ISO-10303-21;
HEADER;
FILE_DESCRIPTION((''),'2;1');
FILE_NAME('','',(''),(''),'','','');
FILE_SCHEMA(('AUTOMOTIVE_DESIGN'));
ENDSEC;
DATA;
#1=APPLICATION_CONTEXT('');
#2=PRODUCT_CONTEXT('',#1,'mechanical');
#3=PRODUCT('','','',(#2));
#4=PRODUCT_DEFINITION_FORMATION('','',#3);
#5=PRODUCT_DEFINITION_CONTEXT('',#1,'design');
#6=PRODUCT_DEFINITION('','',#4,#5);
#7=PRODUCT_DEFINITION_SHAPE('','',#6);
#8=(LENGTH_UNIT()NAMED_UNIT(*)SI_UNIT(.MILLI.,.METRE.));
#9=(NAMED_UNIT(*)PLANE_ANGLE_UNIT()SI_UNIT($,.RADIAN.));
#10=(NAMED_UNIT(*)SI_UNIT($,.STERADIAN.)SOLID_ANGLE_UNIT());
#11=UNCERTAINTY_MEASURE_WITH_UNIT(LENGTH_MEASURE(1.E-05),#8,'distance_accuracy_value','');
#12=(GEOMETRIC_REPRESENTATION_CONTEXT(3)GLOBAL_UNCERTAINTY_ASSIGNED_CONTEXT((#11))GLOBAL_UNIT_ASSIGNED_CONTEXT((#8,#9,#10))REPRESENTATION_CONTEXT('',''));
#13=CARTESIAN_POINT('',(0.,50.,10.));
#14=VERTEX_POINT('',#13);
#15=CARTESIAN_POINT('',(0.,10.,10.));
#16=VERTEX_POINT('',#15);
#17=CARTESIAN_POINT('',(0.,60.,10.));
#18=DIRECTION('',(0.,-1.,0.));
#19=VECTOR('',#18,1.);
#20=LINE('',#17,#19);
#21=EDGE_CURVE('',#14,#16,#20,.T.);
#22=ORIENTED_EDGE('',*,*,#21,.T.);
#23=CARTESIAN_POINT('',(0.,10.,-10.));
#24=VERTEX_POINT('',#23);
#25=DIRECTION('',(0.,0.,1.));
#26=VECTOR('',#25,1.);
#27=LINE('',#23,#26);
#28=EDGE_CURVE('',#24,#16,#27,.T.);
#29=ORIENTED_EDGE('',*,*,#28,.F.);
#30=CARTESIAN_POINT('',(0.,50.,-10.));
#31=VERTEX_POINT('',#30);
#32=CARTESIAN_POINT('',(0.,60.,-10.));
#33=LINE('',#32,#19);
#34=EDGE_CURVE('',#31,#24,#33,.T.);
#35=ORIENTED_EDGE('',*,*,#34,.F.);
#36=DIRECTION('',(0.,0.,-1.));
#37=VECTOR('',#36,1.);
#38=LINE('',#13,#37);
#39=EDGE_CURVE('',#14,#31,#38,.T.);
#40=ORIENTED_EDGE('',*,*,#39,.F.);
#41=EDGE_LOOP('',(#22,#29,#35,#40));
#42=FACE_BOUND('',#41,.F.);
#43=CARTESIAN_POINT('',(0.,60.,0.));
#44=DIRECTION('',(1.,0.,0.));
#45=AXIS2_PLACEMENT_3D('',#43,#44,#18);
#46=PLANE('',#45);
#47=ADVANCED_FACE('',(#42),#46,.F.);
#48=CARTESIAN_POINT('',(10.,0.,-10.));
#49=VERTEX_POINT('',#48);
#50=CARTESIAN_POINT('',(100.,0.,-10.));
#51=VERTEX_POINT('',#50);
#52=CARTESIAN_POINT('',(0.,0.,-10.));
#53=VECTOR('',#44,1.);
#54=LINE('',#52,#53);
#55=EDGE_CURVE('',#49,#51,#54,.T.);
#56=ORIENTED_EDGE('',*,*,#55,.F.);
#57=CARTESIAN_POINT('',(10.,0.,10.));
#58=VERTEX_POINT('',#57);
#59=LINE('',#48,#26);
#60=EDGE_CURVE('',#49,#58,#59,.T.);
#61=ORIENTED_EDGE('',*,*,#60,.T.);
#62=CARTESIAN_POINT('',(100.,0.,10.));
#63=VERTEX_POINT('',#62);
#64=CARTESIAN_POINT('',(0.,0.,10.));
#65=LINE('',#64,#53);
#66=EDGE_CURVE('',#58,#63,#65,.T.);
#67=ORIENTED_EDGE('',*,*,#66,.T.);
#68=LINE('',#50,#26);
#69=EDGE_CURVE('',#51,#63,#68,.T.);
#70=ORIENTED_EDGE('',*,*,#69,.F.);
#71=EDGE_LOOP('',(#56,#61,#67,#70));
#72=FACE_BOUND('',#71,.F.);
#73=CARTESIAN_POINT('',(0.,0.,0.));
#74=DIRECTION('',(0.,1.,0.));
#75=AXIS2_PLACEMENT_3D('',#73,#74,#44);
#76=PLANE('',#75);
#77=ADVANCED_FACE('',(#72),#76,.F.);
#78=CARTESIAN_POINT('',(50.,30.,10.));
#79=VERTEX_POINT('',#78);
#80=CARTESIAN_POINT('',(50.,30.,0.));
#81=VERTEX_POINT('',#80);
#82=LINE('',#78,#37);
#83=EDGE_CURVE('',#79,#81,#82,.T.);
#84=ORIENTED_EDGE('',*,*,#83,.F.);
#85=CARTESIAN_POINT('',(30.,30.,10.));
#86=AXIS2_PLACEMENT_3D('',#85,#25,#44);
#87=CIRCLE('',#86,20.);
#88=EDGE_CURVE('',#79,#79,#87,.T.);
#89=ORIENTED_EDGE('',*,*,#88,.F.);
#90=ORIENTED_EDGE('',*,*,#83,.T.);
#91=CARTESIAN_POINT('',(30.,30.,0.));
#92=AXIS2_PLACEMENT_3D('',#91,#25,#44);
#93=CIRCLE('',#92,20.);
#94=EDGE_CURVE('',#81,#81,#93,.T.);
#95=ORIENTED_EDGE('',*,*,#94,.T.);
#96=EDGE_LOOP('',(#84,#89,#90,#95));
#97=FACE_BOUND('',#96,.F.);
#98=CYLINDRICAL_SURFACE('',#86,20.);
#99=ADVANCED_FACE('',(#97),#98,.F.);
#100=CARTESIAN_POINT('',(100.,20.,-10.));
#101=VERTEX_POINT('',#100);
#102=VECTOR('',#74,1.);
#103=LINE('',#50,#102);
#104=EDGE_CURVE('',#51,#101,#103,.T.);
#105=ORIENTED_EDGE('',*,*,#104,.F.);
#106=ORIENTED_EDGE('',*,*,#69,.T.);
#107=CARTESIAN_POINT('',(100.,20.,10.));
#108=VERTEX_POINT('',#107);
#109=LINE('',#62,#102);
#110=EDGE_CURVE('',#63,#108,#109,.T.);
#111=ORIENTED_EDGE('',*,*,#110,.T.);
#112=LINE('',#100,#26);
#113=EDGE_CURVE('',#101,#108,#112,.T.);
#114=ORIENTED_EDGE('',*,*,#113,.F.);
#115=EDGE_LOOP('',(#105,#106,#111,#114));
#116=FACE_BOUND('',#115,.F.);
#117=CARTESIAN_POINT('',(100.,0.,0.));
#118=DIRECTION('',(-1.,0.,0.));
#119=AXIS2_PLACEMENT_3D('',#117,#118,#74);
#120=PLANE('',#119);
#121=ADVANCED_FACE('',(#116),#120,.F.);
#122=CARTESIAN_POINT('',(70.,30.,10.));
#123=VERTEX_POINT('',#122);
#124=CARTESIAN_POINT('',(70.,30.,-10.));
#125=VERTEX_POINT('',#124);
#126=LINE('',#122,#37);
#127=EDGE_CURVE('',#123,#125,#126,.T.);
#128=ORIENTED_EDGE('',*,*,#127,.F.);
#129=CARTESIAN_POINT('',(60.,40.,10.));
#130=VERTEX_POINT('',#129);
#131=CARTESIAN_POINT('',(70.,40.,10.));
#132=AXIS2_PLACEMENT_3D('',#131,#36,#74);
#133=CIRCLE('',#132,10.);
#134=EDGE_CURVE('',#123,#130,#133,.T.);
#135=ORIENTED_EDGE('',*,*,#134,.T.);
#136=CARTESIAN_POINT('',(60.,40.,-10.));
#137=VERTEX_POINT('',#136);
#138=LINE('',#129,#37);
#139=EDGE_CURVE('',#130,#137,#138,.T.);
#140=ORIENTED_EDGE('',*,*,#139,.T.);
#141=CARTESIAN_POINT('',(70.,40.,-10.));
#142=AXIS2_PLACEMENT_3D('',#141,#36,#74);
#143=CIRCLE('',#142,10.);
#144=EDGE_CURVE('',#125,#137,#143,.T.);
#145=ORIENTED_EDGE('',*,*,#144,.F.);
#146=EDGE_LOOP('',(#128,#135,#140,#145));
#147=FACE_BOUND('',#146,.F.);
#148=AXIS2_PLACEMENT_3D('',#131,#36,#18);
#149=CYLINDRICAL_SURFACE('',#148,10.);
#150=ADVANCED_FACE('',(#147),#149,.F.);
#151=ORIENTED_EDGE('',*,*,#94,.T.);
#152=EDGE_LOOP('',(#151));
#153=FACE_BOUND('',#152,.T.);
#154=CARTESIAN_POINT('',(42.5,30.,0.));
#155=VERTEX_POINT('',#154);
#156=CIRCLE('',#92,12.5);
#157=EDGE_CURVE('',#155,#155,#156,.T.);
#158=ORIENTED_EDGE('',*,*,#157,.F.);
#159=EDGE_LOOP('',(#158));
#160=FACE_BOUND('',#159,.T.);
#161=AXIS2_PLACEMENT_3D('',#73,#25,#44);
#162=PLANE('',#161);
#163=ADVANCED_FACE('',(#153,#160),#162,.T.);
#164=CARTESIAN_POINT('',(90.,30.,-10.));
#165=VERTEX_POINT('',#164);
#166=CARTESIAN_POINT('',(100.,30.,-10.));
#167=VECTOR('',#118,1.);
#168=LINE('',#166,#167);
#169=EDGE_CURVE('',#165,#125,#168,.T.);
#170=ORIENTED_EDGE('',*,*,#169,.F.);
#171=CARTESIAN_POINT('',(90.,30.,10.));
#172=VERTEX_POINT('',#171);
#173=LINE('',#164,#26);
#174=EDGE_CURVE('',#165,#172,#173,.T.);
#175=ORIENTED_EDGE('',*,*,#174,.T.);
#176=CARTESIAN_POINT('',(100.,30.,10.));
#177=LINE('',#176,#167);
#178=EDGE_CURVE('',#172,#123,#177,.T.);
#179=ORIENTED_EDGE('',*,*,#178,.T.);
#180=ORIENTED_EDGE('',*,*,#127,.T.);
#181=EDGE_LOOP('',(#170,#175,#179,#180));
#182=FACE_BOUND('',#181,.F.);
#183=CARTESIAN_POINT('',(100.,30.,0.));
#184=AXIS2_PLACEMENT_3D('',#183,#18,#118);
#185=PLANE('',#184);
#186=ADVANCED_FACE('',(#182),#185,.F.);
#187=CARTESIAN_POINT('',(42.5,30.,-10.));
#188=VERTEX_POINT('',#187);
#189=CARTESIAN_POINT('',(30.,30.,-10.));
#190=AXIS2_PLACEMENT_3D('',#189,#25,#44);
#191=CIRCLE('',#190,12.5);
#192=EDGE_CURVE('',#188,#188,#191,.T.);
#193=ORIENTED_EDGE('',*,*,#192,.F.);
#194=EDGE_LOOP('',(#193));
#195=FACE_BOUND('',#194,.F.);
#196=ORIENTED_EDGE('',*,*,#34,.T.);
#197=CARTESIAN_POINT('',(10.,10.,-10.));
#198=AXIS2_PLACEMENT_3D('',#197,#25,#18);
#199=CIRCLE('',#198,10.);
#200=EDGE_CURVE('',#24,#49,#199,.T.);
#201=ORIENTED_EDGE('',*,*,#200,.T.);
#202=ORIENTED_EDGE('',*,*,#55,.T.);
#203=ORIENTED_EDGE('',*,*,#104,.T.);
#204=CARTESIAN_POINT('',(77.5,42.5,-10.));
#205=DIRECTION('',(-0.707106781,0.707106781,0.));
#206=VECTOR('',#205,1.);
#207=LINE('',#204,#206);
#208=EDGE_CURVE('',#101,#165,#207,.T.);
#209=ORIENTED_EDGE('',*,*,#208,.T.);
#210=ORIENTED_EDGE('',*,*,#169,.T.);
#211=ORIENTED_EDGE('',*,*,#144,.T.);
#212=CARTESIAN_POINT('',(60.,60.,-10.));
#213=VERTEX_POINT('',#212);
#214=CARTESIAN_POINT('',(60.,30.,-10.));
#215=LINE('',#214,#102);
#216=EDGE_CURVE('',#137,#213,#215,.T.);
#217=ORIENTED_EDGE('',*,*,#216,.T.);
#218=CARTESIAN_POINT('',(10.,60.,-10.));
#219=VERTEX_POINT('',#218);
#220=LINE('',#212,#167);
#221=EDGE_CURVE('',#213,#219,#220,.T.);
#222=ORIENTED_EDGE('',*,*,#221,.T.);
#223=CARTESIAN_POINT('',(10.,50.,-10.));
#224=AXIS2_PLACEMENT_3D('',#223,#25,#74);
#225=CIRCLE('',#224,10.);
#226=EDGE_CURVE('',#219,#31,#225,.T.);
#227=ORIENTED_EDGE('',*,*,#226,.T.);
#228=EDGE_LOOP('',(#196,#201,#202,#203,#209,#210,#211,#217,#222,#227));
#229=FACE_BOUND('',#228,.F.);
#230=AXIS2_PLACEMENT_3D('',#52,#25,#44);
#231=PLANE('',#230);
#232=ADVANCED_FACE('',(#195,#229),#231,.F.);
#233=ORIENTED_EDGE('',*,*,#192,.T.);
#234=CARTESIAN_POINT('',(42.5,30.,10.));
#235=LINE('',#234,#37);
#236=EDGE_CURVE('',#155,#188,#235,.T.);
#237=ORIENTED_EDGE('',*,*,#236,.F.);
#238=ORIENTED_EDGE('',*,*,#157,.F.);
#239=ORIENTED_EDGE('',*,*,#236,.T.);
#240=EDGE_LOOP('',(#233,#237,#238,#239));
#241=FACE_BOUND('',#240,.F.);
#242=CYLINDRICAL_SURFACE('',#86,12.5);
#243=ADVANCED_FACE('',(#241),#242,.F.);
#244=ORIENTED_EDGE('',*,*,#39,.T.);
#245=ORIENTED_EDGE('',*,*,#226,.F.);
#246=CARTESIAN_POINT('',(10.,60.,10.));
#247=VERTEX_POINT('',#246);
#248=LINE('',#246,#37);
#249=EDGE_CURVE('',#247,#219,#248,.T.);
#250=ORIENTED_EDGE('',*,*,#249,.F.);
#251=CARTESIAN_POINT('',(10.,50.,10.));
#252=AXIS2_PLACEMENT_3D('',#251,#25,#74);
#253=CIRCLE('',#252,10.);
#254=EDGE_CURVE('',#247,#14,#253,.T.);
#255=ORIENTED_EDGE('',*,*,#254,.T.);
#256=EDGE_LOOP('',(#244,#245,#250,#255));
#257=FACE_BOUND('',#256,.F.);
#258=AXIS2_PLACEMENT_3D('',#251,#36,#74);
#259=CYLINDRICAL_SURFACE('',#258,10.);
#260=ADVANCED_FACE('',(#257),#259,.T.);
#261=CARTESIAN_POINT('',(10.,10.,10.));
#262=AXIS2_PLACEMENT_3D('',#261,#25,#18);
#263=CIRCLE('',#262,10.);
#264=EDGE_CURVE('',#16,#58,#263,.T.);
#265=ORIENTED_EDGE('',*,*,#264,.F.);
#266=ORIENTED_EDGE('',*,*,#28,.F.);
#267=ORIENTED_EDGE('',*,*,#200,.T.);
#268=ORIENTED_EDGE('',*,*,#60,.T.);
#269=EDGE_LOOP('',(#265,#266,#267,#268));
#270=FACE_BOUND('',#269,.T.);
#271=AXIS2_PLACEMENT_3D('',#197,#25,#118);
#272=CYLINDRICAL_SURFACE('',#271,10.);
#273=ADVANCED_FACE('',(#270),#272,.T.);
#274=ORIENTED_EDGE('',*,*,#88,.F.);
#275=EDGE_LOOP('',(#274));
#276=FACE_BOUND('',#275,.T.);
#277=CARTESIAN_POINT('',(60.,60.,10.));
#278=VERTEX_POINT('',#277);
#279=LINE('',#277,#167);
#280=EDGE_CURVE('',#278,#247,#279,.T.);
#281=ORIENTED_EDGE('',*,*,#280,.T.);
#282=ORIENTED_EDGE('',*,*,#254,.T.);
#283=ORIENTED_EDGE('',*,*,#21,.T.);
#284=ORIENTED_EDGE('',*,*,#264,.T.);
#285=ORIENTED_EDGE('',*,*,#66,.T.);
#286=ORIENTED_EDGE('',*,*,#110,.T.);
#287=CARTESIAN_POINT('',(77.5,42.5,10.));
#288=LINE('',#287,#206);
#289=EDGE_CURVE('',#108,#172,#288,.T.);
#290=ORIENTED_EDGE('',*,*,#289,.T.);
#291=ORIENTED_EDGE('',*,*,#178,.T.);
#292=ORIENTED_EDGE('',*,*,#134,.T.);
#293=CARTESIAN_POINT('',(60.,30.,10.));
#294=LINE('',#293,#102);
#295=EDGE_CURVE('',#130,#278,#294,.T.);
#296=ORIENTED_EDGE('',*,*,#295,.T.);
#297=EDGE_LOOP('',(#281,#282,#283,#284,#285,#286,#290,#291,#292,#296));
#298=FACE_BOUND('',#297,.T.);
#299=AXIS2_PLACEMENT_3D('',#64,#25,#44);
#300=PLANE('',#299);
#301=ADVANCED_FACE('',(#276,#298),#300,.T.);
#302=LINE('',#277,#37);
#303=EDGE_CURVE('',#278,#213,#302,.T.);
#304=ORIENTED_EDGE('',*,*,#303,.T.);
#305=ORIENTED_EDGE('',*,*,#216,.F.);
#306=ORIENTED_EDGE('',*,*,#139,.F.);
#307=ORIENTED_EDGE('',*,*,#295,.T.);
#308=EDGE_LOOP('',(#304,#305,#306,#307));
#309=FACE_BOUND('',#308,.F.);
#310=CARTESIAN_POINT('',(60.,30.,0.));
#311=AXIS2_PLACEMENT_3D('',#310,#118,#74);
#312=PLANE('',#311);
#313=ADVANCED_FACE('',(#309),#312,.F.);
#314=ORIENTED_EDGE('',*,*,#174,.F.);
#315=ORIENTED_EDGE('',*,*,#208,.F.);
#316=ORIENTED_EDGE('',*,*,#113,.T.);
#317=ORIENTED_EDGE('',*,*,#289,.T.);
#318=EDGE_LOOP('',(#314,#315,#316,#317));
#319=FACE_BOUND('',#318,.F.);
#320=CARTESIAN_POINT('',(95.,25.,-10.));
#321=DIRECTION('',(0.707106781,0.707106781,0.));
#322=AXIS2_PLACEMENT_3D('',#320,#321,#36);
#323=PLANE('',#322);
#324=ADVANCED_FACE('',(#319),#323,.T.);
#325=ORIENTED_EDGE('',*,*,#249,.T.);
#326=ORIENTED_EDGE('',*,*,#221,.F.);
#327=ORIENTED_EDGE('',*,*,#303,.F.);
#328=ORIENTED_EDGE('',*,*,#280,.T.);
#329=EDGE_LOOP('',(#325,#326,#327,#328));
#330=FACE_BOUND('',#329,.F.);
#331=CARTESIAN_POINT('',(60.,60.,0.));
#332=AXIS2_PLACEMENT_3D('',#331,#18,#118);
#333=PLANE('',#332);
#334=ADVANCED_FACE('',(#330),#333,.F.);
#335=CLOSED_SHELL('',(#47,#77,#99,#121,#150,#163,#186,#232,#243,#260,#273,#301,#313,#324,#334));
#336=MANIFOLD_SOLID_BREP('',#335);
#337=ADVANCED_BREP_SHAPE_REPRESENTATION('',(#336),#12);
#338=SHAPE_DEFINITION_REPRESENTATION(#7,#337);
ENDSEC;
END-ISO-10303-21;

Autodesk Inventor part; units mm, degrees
ref_plane "YZ Plane" through (0, 0, 0) normal (1, 0, 0) x (0, 1, 0)
ref_plane "XZ Plane" through (0, 0, 0) normal (0, 1, 0) x (-1, 0, 0)
ref_plane "XY Plane" through (0, 0, 0) normal (0, 0, 1) x (1, 0, 0)
sketch "Sketch1" plane through (0, 0, 0) normal (0, 0, 1) x (1, 0, 0)
  line L0 (0, 0) -> (100, 0)
  line L1 (100, 0) -> (100, 30)
  line L2 (100, 30) -> (60, 30)
  line L3 (60, 30) -> (60, 60)
  line L4 (60, 60) -> (0, 60)
  line L5 (0, 60) -> (0, 0)
  dimension "d14" = 100
  dimension "d15" = 30
  dimension "d16" = 60
  dimension "d19" = 60
extrude "Extrusion1" add sketch "Sketch1" along normal mid plane 20
chamfer "Chamfer1" distance 10 angle 45 1 edges at (100, 30, 0)
fillet "Fillet1" radius 10 1 edges at (60, 30, 0)
fillet "Fillet3" radius 10 1 edges at (0, 60, 0)
fillet "Fillet4" radius 10 1 edges at (0, 0, 0)
sketch "Sketch2" plane through (0, 0, 10) normal (0, 0, 1) x (1, 0, 0)
  circle A0 centre (30, 30) radius 20
  line L0 (10, 0) -> (100, 0) projected
  line L1 (0, 50) -> (0, 10) projected
  point P0 (0, 0)
  point P1 (90, 0)
  dimension "d18" = 30
  dimension "d20" = 30
  dimension "d21" = 40
sketch "Sketch3" plane through (0, 0, 10) normal (0, 0, 1) x (1, 0, 0)
  circle A0 centre (30, 30) radius 12.5
  line L0 (0, 50) -> (0, 10) projected
  line L1 (10, 0) -> (100, 0) projected
  point P0 (0, 0)
  point P1 (90, 0)
  dimension "d22" = 30
  dimension "d23" = 30
  dimension "d24" = 25
extrude "Extrusion2" cut sketch "Sketch2" against normal blind 10
extrude "Extrusion3" cut sketch "Sketch3" against normal blind 20
